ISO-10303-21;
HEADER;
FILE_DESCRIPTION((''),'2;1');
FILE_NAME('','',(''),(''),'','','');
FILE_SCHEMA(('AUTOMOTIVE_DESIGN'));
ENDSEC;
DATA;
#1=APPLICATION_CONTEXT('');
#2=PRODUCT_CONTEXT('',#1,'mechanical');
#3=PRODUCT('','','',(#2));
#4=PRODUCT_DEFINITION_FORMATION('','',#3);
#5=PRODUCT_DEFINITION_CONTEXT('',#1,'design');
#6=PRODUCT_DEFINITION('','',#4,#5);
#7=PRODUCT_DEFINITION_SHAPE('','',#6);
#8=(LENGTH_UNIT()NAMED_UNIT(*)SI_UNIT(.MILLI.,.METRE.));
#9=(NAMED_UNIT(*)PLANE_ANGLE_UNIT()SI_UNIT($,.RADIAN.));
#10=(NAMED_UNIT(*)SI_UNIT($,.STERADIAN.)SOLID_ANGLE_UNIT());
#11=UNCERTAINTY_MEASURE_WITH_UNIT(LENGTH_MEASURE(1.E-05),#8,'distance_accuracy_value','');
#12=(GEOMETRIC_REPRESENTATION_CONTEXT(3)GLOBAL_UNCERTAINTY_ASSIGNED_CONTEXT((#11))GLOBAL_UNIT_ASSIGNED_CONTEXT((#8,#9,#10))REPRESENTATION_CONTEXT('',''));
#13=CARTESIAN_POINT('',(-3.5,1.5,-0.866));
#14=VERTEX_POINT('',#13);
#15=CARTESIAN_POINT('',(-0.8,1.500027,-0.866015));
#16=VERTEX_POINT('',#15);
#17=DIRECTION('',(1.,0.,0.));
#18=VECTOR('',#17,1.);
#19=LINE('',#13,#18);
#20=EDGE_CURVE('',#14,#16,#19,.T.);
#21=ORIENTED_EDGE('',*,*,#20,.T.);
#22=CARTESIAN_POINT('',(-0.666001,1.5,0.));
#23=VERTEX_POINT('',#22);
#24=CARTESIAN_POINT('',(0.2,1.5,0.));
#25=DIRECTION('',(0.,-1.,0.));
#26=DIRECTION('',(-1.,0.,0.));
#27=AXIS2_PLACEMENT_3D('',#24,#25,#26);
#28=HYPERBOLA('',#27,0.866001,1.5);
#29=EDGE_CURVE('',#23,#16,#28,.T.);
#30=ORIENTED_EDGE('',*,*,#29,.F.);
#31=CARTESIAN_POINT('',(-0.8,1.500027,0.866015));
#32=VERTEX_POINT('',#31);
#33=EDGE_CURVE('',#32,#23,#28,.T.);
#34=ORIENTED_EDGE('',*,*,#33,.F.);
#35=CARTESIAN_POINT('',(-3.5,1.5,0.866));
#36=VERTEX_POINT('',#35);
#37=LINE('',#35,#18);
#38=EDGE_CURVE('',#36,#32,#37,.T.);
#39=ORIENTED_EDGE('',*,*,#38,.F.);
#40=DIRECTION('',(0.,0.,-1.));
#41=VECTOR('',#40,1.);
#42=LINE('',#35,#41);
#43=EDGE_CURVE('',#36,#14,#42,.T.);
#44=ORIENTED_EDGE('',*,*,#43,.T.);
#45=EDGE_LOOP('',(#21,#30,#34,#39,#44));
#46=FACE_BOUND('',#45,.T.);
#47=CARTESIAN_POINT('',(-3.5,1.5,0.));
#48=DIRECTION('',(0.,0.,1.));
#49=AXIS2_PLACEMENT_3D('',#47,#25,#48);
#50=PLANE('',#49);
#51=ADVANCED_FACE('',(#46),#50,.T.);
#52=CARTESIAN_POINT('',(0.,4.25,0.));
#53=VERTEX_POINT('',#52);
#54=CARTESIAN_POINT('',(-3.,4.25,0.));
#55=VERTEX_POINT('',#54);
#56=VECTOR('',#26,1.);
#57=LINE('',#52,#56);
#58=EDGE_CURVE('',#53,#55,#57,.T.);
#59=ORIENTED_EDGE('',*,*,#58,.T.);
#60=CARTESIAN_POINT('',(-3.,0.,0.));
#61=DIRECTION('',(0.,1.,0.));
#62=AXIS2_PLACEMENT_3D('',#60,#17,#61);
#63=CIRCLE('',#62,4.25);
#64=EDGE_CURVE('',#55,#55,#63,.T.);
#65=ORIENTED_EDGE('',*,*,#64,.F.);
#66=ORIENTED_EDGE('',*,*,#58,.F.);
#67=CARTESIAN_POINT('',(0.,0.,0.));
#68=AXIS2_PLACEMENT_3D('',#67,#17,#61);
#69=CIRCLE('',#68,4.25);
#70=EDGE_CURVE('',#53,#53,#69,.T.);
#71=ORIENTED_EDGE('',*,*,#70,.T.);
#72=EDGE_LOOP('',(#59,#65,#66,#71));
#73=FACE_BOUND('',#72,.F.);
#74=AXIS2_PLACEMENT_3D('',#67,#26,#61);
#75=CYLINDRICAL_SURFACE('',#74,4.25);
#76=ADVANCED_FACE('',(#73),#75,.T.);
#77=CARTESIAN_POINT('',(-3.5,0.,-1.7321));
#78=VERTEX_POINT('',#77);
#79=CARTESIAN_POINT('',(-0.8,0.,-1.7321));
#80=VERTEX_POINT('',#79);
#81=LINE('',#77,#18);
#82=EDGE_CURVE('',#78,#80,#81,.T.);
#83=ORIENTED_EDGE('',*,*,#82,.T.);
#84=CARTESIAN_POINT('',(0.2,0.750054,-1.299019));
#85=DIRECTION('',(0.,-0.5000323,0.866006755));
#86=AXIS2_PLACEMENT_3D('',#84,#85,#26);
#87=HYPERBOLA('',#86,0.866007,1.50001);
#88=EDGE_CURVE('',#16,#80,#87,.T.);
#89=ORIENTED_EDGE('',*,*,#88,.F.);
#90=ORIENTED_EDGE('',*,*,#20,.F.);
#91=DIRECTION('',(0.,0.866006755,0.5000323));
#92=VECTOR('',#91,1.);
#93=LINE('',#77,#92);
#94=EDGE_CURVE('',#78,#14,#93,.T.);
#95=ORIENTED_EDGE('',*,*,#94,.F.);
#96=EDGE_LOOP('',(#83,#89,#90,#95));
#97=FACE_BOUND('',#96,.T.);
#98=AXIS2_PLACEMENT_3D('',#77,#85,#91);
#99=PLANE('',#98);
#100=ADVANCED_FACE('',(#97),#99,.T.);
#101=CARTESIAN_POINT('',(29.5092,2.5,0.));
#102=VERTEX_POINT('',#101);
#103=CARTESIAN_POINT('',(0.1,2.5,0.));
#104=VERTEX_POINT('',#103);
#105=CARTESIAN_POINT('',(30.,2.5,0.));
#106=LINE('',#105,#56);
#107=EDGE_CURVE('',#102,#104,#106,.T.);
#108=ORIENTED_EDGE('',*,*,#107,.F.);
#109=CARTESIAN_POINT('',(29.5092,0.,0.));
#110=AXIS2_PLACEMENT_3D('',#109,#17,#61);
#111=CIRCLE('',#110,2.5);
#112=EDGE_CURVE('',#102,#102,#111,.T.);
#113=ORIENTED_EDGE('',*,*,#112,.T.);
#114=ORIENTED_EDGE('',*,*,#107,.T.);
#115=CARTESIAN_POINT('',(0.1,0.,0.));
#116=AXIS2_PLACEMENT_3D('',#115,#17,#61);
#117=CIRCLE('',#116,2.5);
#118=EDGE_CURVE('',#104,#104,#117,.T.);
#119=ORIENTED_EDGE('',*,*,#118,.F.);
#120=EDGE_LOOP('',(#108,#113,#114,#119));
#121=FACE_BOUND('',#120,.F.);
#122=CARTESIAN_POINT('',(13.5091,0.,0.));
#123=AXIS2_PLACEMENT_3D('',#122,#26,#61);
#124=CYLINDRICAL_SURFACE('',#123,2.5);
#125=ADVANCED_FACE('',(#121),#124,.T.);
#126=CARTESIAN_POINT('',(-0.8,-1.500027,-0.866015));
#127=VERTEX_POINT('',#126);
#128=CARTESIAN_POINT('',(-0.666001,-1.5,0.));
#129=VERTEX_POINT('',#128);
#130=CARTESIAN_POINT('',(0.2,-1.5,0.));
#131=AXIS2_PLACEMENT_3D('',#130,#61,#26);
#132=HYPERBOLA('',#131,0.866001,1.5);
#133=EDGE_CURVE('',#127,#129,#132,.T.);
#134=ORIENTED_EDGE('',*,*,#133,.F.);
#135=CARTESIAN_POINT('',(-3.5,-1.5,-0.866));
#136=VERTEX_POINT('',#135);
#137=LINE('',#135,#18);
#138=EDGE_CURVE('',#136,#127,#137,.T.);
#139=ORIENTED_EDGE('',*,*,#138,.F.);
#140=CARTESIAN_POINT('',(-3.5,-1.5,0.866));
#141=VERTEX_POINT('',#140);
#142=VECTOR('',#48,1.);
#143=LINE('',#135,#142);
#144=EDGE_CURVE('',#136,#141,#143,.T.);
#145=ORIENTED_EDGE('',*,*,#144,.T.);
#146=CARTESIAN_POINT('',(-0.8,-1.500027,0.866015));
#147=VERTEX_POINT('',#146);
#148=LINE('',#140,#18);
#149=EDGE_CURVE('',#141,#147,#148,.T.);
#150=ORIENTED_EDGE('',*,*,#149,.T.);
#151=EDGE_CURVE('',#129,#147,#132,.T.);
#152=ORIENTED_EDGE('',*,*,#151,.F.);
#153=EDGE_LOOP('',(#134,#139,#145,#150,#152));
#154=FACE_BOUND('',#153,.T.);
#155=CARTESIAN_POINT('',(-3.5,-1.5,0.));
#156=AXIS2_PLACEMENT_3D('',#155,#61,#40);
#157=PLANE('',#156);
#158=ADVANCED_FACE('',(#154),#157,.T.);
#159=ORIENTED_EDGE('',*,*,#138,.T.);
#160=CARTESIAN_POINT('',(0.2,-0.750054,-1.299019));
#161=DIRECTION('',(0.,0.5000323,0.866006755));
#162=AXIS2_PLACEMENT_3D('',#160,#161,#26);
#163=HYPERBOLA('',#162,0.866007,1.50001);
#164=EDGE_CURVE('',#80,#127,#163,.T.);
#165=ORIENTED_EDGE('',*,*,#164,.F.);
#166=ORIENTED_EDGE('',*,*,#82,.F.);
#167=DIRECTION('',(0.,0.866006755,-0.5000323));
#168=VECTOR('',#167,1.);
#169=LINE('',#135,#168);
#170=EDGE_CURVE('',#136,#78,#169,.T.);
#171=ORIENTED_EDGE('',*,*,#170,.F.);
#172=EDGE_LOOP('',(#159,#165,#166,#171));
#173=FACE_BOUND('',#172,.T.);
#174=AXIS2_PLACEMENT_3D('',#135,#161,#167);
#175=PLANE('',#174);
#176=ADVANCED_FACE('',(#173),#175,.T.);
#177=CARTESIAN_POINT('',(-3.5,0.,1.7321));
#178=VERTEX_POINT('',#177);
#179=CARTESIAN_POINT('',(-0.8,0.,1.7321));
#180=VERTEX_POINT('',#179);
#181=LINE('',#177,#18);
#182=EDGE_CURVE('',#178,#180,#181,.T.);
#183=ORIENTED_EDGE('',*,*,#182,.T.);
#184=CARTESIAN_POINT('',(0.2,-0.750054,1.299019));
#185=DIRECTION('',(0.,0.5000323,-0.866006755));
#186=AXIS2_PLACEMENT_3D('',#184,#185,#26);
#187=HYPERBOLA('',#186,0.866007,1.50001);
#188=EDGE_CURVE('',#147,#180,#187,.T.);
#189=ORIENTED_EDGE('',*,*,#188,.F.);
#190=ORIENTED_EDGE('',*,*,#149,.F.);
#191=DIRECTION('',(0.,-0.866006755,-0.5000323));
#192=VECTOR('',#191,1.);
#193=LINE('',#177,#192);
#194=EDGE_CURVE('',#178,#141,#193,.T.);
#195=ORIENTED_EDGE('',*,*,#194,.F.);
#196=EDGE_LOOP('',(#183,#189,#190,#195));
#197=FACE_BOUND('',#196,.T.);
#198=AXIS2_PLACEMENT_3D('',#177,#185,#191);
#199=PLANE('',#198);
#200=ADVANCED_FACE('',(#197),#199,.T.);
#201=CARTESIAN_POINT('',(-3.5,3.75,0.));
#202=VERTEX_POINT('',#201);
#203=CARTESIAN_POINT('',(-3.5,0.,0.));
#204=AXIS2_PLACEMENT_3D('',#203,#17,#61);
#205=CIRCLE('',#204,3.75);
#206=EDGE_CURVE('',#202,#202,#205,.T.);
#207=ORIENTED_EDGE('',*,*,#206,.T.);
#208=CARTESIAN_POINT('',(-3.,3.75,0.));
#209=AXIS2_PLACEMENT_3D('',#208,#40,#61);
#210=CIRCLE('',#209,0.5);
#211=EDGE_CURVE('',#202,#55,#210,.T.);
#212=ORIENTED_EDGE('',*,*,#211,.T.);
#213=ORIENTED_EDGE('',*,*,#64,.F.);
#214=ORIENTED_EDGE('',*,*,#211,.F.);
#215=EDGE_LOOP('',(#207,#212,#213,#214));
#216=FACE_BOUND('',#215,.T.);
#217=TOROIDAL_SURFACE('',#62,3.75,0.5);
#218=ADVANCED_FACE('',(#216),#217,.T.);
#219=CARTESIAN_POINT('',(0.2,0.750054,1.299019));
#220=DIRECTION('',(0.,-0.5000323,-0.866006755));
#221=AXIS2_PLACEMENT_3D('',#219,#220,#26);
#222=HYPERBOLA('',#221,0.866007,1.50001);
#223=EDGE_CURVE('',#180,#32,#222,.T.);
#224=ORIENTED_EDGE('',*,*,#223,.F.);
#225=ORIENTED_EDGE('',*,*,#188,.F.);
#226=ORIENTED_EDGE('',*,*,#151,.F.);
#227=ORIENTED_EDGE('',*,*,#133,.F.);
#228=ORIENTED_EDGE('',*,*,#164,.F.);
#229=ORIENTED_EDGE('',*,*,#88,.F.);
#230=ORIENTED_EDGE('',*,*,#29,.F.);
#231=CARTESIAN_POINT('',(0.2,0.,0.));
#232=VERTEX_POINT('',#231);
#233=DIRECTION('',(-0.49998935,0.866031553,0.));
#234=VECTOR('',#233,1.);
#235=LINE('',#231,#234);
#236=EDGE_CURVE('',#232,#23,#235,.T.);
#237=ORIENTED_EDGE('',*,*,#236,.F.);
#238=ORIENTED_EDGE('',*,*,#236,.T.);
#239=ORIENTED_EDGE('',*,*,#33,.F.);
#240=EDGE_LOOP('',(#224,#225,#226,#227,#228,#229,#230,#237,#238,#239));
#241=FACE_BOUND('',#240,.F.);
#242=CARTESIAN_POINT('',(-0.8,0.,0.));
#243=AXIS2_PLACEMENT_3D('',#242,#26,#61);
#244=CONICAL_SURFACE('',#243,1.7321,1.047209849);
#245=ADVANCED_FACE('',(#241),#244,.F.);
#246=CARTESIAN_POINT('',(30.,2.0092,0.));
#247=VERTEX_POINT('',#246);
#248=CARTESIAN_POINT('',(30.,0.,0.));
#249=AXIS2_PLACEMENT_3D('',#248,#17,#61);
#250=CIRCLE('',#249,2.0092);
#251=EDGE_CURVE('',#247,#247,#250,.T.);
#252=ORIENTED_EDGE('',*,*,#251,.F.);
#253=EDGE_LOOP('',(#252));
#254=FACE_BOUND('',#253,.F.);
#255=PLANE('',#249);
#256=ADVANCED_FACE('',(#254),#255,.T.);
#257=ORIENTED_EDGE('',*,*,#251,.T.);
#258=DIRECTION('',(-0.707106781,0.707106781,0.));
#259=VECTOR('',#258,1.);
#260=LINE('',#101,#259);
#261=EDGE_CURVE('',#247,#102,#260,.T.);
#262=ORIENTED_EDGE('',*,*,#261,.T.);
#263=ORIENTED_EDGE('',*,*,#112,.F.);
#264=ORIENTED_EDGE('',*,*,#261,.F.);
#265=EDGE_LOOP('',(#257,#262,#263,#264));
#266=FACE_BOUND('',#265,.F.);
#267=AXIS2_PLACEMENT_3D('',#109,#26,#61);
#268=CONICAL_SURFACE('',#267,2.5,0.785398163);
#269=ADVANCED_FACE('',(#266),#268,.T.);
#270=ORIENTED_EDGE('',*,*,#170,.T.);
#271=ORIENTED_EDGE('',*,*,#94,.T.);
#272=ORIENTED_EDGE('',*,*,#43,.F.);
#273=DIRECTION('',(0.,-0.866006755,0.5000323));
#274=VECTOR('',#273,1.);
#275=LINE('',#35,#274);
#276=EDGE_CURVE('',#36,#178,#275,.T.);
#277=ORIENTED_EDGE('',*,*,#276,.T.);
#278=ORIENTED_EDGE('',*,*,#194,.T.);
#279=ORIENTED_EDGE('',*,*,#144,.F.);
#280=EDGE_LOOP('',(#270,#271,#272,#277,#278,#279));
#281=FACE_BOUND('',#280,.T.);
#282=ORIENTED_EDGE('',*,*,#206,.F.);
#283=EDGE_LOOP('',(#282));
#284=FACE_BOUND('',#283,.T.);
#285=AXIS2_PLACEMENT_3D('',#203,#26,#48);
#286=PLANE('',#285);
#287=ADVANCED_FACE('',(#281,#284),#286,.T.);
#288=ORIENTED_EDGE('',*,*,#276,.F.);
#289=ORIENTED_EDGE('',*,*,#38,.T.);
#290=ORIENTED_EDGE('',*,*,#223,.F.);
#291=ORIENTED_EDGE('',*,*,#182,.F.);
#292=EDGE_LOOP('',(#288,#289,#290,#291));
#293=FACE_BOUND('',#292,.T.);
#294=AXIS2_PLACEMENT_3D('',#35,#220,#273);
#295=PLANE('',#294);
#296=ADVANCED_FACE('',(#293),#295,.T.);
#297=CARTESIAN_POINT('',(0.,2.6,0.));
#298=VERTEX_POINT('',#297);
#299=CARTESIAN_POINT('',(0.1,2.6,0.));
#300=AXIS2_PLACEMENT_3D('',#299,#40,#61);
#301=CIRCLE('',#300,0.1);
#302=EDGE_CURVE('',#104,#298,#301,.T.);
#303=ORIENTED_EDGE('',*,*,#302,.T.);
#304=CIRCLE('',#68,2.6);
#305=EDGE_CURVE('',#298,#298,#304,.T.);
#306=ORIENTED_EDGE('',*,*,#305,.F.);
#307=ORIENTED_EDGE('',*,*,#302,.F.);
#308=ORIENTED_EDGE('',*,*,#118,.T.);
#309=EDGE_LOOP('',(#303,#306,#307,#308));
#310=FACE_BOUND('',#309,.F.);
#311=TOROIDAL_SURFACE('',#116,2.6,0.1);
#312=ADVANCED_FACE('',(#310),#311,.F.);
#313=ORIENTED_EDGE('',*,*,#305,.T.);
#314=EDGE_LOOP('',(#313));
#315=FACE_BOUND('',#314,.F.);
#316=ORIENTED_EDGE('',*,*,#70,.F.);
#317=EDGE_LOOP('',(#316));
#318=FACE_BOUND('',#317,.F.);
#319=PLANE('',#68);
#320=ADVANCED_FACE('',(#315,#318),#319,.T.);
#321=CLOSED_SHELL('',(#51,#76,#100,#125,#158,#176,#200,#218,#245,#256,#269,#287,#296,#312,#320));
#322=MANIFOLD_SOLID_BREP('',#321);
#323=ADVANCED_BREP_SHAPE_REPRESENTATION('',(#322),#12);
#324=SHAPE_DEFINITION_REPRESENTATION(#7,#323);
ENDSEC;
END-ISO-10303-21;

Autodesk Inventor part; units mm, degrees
ref_plane "YZ Plane" through (0, 0, 0) normal (1, 0, 0) x (0, 1, 0)
ref_plane "XZ Plane" through (0, 0, 0) normal (0, 1, 0) x (-1, 0, 0)
sketch "Sketch1" plane through (0, 0, 0) normal (0, 0, 1) x (1, 0, 0)
  line L0 (0.2, 0) -> (30, 0)
  line L1 (30, 0) -> (30, 2.5)
  line L2 (30, 2.5) -> (14, 2.5)
  line L3 (14, 2.5) -> (13.5091, 2.5)
  line L4 (13.5091, 2.5) -> (0, 2.5)
  line L5 (0, 2.5) -> (0, 4.25)
  line L6 (0, 4.25) -> (-3.5, 4.25)
  line L7 (-3.5, 4.25) -> (-3.5, 1.7321)
  line L8 (-3.5, 1.7321) -> (-0.8, 1.7321)
  line L9 (-0.8, 1.7321) -> (0.2, 0)
  line L10 (-10.2, 0) -> (36.7, 0) projected
  line L11 (0, -0.85) -> (0, 5.1) projected
  line L12 (14, 2.5) -> (0, 2.5) construction
  dimension "d1" = 16
  dimension "d2" = 0.4909
  dimension "d3" = 3.5
  dimension "d4" = 2.7
  dimension "d5" = 60
  dimension "d6" = 5
  dimension "d7" = 5
  dimension "d8" = 3.4641
  dimension "d9" = 8.5
  dimension "d26" = 30
revolve "Body" add sketch "Sketch1" angle 360 about axis through (0.2, 0, 0) along (1, 0, 0) contours L9 L11 L4 L3 L2 L1 L0 | L9 L8 L7 L6 L5 L11
sketch "Sketch2" plane through (-3.5, 0, 0) normal (-1, 0, 0) x (0, 0, 1)
  circle A0 centre (0, 0) radius 1.7321 projected
  line L0 (0, -5.95) -> (0, 5.95) projected
  line L1 (-5.95, 0) -> (5.95, 0) projected
  line L2 (1.7321, 0) -> (0.866, -1.5)
  line L3 (0.866, -1.5) -> (-0.866, -1.5)
  line L4 (-0.866, -1.5) -> (-1.7321, 0)
  line L5 (-1.7321, 0) -> (-0.866, 1.5)
  line L6 (-0.866, 1.5) -> (0.866, 1.5)
  line L7 (0.866, 1.5) -> (1.7321, 0)
extrude "Slot" add sketch "Sketch2" against normal up to next contours L7 A0 | A0 L2 | L6 L0 A0 | A0 L0 L3 | L0 L6 A0 | A0 L3 L0 | L4 A0 | A0 L5
fillet "Fillet1" radius 0.5 1 edges at (-3.5, -4.25, 0)
thread "Thread" size "M5x0.8" class "6g" standard "ISO Metric profile" length 16
chamfer "Chamfer1" distance 0.4908 distance2 0.4908 1 edges at (30, -2.5, 0) measured on face at (30, -0.5525, -0.0341)
ref_plane "Work Plane1" through (29, 0, 0) normal (0, -1, 0) x (1, 0, 0)
fillet "Fillet2" radius 0.1 1 edges at (0, -2.5, 0)
equation "\"d1\" = GEL"
equation "\"d3\" = KOH"
equation "\"d4\" = INTI"
equation "\"d6\" = GD"
equation "\"d7\" = BDM"
equation "\"d8\" = 1.1547 * SW"
equation "\"d9\" = KOD"
equation "\"d26\" = NLG"
equation "\"d30\" = R"
equation "\"d17\" = RR"
equation "\"d13\" = GEL"
equation "\"d15\" = -0.5 * SPD + 0.5 * GD"
equation "\"d16\" = GUL"
equation "\"GD\" = NND"
equation "\"NLG\" = 30"
equation "\"GEL\" = 16"
equation "\"KOD\" = 8.5"
equation "\"KOH\" = 3.5"
equation "\"INTI\" = 2.7"
equation "\"GAL\" = 0.61345 * PTC"
equation "\"GUL\" = 0.61345 * PTC"
equation "\"BDM\" = NND"
equation "\"SW\" = 3"
equation "\"RR\" = 0.5"
equation "\"SPD\" = NND - 1.2269 * PTC"
equation "\"R\" = 0.1"
equation "\"TOA\" = 30deg"
equation "\"GD1\" = THREADDIA - 1.2269 * PTC"
equation "\"THREADDIA\" = 5"
equation "\"FAWI\" = 45deg"
equation "\"ANG\" = 120deg"
equation "\"PTC\" = 0.8"
equation "\"NND\" = 5"
equation "\"E0\" = 1.155 * SW"
properties part number "DIN 7984 - M5 x 30" material "Steel, Mild"
